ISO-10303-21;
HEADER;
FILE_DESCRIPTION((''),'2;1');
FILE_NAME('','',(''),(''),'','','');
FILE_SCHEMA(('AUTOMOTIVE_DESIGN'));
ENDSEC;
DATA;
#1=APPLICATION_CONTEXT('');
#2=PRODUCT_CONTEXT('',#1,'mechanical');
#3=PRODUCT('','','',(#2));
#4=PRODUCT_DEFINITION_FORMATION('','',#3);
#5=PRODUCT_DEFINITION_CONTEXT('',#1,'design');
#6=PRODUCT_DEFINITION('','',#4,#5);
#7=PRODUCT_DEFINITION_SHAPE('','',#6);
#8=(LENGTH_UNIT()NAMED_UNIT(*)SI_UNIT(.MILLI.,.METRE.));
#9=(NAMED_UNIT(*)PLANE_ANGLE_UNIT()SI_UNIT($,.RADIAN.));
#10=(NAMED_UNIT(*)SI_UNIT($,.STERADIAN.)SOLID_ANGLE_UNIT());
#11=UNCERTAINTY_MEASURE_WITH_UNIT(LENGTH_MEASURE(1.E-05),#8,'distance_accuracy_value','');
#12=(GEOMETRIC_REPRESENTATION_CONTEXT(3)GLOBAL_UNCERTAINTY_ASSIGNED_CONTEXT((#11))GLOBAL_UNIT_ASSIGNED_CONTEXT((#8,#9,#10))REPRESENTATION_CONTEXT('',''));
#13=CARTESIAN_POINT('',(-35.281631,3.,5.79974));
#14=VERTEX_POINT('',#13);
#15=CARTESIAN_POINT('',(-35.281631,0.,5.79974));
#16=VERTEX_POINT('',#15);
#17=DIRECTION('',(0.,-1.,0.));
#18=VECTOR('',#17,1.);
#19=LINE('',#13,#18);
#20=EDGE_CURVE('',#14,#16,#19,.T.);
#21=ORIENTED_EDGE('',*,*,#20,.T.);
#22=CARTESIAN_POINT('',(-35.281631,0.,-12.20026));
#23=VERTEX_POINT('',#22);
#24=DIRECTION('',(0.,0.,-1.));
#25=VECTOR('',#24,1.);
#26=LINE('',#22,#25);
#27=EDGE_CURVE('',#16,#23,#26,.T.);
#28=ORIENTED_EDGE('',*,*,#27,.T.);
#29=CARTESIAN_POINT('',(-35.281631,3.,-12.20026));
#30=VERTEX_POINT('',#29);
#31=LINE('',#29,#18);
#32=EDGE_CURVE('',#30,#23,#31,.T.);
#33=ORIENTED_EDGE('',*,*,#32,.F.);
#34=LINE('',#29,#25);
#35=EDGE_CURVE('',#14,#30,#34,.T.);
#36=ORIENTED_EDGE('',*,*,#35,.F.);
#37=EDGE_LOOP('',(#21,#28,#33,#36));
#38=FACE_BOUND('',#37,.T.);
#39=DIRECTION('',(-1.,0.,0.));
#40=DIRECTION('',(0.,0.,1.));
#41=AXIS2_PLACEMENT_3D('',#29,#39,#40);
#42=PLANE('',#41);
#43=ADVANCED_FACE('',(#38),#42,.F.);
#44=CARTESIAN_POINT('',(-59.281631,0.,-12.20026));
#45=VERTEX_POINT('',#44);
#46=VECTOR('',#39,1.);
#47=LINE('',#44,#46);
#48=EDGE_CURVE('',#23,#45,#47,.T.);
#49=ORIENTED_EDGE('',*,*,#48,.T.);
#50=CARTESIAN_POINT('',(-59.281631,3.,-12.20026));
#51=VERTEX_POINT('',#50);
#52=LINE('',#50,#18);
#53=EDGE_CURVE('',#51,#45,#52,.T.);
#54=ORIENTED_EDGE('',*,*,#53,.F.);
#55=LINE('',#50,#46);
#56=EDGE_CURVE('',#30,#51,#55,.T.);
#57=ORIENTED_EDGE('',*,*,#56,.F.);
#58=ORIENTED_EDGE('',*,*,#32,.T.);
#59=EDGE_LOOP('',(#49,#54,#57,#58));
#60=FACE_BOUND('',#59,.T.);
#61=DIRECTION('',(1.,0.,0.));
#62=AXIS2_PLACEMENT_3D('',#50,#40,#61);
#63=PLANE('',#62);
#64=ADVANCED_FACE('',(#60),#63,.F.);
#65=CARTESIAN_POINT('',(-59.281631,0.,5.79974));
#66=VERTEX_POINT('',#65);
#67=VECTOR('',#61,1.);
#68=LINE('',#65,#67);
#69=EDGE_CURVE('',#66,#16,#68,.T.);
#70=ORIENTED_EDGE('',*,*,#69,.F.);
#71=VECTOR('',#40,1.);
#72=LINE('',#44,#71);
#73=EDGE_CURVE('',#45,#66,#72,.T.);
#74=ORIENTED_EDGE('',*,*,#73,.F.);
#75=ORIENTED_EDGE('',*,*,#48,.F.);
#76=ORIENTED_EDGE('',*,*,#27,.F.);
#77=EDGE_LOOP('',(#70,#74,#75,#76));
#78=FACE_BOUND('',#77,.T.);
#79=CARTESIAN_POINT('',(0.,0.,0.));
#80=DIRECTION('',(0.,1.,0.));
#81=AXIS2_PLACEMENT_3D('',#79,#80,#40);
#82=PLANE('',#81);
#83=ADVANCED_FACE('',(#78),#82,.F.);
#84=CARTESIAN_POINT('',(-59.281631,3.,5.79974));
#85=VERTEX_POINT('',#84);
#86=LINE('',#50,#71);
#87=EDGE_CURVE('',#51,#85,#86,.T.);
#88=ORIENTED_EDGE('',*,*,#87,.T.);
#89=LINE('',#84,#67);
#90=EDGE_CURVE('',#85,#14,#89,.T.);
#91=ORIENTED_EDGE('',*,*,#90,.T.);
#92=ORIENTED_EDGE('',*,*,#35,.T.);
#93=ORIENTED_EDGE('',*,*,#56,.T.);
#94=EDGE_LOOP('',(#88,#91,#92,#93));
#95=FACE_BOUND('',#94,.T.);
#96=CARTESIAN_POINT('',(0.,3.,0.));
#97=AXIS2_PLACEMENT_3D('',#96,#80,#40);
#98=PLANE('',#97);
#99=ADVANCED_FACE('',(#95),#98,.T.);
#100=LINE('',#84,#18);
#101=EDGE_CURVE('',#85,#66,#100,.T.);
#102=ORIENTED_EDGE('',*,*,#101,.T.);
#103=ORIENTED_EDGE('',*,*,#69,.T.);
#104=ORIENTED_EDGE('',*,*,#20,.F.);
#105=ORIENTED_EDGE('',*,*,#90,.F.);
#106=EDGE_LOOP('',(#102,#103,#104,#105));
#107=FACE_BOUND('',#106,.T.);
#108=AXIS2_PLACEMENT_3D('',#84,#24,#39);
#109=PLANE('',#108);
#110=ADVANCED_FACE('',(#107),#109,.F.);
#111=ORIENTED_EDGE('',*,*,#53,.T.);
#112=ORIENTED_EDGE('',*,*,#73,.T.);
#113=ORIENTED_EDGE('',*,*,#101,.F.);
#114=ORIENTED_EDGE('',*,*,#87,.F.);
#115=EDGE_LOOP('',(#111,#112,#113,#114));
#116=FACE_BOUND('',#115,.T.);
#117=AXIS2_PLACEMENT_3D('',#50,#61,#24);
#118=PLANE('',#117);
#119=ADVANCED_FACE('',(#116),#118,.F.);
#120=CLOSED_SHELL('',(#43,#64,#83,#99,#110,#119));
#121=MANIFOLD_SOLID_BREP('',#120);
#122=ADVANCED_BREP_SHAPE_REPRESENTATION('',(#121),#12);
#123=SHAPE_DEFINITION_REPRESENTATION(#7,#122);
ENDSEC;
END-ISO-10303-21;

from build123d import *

# Parameters (mm, degrees)
ESBO_O1_W                = 24
ESBO_O1_H                = 18
RESSALTO_EXTRUS_O1_DEPTH = 3


with BuildPart() as part:
    # Esboço1 → Ressalto-extrusão1 (new body)
    with BuildSketch(Plane(origin=(0, 0, 0), x_dir=(1, 0, 0), z_dir=(0, 1, 0))):
        with Locations((-47.28163089, 3.200259965)):
            Rectangle(ESBO_O1_W, ESBO_O1_H)
    extrude(amount=RESSALTO_EXTRUS_O1_DEPTH)


solid = part.part
